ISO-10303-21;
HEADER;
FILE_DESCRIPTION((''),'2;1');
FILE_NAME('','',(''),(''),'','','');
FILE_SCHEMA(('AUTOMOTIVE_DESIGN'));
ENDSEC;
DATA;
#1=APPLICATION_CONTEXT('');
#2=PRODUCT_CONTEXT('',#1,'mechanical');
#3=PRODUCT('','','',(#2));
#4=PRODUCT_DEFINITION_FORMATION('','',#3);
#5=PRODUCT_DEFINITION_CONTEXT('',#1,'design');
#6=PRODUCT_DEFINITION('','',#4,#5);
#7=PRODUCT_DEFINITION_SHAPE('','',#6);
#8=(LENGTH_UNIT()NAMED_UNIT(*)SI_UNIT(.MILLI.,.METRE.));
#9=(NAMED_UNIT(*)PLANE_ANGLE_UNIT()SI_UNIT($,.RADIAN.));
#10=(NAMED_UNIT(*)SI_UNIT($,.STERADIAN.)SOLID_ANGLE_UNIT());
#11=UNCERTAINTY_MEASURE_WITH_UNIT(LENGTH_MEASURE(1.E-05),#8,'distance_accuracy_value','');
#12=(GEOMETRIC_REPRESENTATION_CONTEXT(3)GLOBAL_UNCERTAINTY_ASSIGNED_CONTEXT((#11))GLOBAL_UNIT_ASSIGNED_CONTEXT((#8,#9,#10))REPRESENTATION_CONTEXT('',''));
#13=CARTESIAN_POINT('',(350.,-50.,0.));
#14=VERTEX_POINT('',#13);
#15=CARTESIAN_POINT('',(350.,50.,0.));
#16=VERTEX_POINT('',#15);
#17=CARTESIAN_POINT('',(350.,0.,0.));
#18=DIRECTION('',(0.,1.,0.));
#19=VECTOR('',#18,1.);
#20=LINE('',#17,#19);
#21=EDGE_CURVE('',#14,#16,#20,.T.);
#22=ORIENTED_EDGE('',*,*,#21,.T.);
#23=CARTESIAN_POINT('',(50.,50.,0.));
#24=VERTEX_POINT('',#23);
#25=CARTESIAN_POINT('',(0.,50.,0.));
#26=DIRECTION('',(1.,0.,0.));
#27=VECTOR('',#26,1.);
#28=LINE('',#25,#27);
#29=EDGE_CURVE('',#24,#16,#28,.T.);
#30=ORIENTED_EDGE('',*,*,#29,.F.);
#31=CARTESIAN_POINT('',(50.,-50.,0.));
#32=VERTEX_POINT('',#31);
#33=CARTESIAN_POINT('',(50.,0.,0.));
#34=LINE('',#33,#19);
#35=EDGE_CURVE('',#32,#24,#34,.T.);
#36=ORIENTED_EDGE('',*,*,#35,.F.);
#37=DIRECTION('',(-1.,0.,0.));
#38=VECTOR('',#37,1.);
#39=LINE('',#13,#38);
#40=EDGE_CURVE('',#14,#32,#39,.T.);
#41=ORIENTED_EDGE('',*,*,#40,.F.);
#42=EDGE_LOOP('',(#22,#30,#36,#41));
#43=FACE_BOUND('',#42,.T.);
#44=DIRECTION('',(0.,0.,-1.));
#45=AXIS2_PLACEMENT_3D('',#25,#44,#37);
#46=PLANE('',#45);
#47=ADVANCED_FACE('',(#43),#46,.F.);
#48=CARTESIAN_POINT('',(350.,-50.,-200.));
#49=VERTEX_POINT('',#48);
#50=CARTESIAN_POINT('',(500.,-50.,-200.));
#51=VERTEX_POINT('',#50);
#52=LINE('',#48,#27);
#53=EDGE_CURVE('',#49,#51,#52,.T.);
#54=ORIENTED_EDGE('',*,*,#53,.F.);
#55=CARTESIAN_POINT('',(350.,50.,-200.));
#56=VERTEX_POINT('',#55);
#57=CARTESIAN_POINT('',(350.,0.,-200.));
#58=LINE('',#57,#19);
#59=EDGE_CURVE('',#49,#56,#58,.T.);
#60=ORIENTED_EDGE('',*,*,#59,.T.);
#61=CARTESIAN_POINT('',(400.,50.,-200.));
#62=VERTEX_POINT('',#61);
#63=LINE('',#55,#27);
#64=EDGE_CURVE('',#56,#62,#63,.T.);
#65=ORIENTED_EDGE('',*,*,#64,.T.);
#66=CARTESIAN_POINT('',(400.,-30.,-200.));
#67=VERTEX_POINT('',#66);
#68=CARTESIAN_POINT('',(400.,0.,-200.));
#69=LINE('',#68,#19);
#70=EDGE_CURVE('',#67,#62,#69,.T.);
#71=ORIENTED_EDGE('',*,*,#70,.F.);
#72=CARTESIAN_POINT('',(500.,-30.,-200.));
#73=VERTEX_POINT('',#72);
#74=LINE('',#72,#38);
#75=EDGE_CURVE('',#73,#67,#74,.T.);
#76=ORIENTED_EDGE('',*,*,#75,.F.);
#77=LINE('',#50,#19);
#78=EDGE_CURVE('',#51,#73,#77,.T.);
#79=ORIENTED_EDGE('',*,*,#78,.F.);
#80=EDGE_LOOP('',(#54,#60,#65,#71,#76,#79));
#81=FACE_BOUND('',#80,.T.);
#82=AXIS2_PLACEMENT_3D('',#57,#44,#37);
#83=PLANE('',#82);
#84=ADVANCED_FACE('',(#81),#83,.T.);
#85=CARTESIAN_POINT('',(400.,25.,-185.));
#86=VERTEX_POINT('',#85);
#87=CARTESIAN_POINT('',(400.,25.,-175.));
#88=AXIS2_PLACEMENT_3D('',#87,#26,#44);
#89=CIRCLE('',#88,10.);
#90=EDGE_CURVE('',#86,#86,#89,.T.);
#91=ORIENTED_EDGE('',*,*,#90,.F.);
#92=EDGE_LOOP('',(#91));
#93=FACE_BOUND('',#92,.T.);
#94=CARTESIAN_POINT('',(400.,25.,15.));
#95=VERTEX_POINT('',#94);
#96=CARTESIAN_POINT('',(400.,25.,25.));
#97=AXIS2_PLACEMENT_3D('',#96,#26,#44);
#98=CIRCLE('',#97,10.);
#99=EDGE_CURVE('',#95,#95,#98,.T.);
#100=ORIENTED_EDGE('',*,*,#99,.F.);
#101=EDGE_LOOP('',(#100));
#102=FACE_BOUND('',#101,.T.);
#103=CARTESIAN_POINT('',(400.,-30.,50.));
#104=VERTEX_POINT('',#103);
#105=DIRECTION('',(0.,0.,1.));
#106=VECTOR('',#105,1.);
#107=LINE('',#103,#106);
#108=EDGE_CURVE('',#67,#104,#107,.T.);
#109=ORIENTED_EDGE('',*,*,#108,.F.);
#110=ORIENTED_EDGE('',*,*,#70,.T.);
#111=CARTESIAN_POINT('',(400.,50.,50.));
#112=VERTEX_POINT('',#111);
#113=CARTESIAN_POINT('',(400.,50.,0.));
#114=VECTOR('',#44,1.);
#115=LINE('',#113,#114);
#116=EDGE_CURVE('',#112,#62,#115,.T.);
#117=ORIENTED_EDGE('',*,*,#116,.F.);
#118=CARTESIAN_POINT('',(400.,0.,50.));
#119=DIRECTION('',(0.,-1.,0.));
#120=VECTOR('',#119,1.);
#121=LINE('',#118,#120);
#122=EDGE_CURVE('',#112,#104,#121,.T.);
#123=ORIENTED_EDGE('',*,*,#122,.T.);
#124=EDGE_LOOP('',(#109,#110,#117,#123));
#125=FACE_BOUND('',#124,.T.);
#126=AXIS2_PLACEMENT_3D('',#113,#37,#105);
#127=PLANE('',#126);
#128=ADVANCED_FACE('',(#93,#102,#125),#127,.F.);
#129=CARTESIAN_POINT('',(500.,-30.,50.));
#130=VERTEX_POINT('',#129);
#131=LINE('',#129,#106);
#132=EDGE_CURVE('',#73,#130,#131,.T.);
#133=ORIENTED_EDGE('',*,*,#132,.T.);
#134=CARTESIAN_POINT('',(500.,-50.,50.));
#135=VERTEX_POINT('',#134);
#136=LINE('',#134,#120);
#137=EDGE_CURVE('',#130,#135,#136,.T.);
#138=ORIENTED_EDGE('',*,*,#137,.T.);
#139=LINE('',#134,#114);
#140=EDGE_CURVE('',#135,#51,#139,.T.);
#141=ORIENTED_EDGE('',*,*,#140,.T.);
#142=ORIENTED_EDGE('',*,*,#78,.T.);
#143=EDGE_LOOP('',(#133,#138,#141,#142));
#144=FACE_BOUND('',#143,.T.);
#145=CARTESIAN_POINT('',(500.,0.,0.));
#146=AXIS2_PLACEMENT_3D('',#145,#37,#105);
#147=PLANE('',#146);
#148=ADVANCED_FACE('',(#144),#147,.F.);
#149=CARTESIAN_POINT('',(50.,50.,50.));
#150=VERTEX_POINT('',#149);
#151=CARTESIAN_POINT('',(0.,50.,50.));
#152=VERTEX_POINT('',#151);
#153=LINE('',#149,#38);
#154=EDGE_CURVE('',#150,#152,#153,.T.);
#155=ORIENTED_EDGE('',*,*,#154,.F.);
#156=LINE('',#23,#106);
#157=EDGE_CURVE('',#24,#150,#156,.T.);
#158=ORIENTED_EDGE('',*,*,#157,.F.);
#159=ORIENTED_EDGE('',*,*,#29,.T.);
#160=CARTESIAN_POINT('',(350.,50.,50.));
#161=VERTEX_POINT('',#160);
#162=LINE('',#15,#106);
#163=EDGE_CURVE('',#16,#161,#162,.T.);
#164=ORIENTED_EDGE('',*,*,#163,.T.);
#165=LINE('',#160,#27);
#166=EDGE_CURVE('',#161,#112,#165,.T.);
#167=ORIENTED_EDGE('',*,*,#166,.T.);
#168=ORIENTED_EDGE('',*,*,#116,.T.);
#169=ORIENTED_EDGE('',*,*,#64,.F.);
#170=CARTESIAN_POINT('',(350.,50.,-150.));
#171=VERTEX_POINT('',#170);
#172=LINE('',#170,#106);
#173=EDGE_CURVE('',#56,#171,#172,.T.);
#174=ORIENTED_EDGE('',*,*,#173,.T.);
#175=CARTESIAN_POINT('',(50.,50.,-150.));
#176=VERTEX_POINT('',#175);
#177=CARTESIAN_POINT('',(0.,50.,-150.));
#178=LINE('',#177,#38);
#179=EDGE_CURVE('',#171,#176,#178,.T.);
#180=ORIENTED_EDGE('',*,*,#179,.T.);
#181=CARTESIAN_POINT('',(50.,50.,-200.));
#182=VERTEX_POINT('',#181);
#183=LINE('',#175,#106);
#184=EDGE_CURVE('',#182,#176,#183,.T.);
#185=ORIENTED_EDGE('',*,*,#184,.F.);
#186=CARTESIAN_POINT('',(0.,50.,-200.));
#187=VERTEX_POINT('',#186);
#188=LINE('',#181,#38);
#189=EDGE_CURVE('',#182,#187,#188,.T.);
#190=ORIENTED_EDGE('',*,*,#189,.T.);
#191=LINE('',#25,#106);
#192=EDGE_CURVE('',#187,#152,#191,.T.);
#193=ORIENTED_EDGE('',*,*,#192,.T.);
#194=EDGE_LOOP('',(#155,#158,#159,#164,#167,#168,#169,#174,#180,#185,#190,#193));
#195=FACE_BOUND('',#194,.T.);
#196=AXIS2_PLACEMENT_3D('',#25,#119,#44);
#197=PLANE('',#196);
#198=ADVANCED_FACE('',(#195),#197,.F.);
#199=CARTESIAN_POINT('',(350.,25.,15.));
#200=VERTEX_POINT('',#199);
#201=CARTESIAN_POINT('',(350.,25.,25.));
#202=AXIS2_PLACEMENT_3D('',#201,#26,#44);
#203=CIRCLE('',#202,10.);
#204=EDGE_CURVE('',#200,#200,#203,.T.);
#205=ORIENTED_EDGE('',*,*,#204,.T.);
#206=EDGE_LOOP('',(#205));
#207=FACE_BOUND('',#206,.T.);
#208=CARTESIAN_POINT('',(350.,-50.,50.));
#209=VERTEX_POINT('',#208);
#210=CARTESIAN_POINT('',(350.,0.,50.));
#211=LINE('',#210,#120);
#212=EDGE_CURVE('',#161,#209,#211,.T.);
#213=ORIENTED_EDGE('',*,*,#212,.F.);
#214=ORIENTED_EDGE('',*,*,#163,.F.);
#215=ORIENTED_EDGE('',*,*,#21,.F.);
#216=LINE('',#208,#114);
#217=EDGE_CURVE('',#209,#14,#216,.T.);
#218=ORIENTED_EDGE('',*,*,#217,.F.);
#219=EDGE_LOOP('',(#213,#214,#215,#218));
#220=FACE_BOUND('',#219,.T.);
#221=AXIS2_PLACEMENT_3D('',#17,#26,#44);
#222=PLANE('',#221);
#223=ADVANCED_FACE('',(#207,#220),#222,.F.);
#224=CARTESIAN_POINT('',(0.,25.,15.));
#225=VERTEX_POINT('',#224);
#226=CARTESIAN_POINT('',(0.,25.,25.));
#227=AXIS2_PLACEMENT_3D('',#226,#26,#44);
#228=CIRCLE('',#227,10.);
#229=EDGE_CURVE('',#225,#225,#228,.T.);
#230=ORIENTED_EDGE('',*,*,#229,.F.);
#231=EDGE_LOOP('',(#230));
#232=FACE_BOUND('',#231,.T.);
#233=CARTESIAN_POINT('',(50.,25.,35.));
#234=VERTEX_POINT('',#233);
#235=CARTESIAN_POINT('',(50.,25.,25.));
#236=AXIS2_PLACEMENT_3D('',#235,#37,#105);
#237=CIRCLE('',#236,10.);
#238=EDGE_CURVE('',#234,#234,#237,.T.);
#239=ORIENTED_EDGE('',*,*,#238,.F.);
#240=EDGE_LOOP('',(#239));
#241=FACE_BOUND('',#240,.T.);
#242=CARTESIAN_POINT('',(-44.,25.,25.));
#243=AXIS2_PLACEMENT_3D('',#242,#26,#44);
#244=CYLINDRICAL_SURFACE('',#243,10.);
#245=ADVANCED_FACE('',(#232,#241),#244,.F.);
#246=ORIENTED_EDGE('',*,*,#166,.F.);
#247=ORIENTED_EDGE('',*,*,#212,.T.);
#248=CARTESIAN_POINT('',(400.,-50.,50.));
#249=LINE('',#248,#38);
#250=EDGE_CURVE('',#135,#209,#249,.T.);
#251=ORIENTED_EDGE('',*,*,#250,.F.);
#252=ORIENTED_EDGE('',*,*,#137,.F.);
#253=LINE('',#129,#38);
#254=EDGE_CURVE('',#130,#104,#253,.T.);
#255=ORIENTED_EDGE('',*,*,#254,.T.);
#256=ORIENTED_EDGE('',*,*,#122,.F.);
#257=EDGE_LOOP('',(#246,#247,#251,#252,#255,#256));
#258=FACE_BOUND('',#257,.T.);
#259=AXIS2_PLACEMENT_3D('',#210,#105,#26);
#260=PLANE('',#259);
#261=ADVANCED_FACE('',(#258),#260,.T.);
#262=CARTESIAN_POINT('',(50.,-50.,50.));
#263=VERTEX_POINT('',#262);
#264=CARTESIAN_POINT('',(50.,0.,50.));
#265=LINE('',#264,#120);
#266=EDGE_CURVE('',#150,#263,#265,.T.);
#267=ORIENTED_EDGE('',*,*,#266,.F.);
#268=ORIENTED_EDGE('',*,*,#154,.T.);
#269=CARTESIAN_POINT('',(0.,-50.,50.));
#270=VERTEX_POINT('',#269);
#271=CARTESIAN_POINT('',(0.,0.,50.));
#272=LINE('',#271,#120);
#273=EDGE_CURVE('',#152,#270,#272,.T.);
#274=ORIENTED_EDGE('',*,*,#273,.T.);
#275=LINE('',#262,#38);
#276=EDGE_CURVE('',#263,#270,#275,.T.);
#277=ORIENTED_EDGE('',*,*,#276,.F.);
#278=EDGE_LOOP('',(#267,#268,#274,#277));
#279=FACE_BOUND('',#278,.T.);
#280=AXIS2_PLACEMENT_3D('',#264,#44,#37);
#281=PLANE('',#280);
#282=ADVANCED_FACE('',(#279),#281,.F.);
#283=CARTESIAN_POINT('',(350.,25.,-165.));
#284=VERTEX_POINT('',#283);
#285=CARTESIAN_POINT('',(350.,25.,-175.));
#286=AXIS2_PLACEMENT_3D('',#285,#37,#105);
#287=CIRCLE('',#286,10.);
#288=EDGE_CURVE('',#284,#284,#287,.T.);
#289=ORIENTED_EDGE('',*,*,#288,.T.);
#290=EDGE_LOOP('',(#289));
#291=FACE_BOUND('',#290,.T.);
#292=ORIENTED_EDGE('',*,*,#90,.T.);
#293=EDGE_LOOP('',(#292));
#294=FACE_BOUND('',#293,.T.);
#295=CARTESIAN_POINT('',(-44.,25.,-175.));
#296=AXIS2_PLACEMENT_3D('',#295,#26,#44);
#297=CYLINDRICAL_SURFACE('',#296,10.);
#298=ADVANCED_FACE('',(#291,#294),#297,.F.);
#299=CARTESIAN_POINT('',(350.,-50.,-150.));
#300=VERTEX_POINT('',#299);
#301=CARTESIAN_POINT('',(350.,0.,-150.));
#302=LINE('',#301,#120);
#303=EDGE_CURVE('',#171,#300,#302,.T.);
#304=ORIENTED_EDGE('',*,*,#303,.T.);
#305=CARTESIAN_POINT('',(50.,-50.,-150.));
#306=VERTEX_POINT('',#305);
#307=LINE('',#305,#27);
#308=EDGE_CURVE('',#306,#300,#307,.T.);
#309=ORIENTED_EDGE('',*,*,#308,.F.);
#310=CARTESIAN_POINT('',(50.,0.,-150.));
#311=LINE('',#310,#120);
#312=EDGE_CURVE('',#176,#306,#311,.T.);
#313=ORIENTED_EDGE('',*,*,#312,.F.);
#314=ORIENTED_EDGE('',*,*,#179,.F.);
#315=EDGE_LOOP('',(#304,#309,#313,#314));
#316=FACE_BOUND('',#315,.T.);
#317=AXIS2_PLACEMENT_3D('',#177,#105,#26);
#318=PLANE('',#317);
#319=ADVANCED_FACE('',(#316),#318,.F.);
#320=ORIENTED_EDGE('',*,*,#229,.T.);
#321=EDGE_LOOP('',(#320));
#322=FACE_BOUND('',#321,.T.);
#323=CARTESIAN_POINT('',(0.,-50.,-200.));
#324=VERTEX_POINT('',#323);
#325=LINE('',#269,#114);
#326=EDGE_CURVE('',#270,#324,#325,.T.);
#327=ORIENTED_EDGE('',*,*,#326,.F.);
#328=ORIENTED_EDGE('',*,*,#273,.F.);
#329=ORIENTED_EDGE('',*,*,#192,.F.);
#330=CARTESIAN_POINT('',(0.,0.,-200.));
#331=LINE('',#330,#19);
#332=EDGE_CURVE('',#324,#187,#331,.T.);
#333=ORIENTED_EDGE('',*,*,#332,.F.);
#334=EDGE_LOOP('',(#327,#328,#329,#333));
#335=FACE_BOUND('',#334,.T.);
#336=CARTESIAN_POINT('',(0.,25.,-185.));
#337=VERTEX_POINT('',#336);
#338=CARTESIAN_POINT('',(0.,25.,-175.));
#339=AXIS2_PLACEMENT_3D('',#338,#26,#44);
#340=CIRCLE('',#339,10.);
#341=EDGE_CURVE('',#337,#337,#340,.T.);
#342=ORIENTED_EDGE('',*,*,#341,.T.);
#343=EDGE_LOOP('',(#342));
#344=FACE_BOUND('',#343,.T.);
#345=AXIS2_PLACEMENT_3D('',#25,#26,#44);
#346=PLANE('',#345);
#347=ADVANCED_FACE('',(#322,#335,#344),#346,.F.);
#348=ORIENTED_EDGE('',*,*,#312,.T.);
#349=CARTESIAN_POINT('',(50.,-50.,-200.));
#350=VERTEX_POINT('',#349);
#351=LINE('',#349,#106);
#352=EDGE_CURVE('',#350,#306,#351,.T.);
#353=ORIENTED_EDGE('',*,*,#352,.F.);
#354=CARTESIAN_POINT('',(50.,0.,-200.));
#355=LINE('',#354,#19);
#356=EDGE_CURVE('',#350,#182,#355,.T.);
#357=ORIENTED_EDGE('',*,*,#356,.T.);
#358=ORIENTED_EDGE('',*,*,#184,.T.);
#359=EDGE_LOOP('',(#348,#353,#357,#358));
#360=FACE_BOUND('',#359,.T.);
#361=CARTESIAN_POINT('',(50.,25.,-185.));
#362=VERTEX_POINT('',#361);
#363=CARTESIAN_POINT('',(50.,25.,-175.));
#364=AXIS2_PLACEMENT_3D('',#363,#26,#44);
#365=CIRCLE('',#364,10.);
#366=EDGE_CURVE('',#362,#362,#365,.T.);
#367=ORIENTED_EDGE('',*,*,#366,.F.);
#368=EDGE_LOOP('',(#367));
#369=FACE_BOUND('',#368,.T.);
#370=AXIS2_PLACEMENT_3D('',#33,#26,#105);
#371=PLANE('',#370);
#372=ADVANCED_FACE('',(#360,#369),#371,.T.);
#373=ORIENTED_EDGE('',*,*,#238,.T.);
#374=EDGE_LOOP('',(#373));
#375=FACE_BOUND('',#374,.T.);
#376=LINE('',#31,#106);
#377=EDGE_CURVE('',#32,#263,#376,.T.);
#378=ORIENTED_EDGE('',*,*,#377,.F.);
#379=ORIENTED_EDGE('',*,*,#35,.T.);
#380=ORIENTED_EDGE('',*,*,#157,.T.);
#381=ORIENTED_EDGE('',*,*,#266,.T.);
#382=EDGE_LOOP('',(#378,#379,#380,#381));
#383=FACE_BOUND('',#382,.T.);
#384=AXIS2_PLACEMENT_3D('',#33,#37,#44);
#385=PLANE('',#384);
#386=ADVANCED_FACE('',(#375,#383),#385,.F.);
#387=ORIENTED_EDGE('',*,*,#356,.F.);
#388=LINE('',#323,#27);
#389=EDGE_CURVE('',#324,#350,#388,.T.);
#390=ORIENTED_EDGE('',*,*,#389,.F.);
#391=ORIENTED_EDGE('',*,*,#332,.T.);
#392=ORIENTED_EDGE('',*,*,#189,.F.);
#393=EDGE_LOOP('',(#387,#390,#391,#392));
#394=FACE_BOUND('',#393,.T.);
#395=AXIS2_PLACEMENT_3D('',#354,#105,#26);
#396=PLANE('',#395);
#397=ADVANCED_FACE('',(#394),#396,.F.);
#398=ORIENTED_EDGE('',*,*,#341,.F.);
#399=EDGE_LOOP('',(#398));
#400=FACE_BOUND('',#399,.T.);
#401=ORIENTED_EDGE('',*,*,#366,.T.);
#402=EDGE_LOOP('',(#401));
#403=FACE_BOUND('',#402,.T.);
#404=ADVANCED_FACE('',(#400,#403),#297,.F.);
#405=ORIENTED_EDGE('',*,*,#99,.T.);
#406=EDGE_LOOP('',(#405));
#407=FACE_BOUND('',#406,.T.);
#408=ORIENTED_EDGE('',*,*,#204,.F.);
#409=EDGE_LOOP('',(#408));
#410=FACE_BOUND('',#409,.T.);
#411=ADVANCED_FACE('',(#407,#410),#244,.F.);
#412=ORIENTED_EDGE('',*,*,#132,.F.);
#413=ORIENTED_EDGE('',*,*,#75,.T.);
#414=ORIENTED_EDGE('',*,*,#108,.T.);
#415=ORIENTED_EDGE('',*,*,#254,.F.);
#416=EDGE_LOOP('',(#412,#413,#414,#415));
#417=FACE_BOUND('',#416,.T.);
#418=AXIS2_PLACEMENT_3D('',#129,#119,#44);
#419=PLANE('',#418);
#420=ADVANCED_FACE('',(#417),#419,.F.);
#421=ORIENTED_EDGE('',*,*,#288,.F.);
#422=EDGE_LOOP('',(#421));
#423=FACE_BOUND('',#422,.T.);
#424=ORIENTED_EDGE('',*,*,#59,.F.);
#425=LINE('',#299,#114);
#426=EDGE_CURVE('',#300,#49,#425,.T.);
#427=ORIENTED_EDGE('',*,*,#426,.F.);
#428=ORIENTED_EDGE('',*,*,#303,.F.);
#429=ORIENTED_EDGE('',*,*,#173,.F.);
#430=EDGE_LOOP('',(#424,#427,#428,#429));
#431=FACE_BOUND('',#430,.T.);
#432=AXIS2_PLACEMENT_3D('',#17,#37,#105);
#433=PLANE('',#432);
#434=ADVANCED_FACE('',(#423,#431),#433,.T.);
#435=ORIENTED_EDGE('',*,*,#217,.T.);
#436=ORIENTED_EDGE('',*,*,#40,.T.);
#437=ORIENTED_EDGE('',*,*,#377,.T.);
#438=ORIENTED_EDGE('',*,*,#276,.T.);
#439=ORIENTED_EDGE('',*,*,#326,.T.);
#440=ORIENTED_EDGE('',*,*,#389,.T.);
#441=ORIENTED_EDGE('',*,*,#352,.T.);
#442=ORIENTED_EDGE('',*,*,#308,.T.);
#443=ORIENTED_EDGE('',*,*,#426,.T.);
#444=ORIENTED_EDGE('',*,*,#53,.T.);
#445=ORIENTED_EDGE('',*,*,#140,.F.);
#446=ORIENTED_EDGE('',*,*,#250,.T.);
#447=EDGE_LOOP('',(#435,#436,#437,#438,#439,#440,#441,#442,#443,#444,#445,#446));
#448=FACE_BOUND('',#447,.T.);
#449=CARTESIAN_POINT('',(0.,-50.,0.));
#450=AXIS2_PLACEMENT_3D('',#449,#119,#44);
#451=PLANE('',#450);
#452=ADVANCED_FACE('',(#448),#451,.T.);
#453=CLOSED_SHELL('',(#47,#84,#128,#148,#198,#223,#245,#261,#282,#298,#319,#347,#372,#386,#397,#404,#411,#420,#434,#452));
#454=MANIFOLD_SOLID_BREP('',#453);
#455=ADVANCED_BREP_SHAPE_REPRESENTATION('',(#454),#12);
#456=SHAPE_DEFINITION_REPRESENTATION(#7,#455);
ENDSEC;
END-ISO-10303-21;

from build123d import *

# Parameters (mm, degrees)
SKETCH2_W           = 400
SKETCH2_H           = 150
BOSS_EXTRUDE1_DEPTH = 50
SKETCH3_W           = 50
SKETCH3_H           = 50
BOSS_EXTRUDE2_DEPTH = 50
SKETCH4_R           = 10
CUT_EXTRUDE1_DEPTH  = 444
BOSS_EXTRUDE3_DEPTH = 50
SKETCH7_W           = 250
SKETCH7_H           = 20
BOSS_EXTRUDE4_DEPTH = 100


with BuildPart() as part:
    # Sketch2 → Boss-Extrude1 (new body)
    with BuildSketch(Plane(origin=(0, 0, 0), x_dir=(1, 0, 0), z_dir=(0, 1, 0))):
        with Locations((200, 75)):
            Rectangle(SKETCH2_W, SKETCH2_H)
    extrude(amount=BOSS_EXTRUDE1_DEPTH)

    # Sketch3 → Boss-Extrude2 (add)
    with BuildSketch(Plane(origin=(400, 0, 0), x_dir=(0, 0, -1), z_dir=(1, 0, 0))):
        with Locations((-25, 25)):
            Rectangle(SKETCH3_W, SKETCH3_H)
        with Locations((175, 25)):
            Rectangle(SKETCH3_W, SKETCH3_H)
    boss_extrude2 = extrude(amount=-BOSS_EXTRUDE2_DEPTH)

    # Mirror4: Boss-Extrude2 across plane
    add(boss_extrude2.mirror(Plane(origin=(200, 0, 0), x_dir=(0, 0, 1), z_dir=(1, 0, 0))))

    # Sketch4 → Cut-Extrude1 (cut)
    with BuildSketch(Plane(origin=(400, 0, 0), x_dir=(0, 0, -1), z_dir=(1, 0, 0))):
        with Locations((-25, 25)):
            Circle(SKETCH4_R)
        with Locations((175, 25)):
            Circle(SKETCH4_R)
    extrude(amount=-CUT_EXTRUDE1_DEPTH, mode=Mode.SUBTRACT)

    # Sketch6 → Boss-Extrude3 (add)
    with BuildSketch(Plane.XZ):
        Polygon((0, 50), (0, -200), (50, -200), (50, -150), (350, -150), (350, -200), (400, -200), (400, 50), (350, 50), (350, 0), (50, 0), (50, 50), align=None)
    extrude(amount=BOSS_EXTRUDE3_DEPTH)

    # Sketch7 → Boss-Extrude4 (add)
    with BuildSketch(Plane(origin=(400, 0, 0), x_dir=(0, 0, -1), z_dir=(1, 0, 0))):
        with Locations((75, -40)):
            Rectangle(SKETCH7_W, SKETCH7_H)
    extrude(amount=BOSS_EXTRUDE4_DEPTH)


solid = part.part
